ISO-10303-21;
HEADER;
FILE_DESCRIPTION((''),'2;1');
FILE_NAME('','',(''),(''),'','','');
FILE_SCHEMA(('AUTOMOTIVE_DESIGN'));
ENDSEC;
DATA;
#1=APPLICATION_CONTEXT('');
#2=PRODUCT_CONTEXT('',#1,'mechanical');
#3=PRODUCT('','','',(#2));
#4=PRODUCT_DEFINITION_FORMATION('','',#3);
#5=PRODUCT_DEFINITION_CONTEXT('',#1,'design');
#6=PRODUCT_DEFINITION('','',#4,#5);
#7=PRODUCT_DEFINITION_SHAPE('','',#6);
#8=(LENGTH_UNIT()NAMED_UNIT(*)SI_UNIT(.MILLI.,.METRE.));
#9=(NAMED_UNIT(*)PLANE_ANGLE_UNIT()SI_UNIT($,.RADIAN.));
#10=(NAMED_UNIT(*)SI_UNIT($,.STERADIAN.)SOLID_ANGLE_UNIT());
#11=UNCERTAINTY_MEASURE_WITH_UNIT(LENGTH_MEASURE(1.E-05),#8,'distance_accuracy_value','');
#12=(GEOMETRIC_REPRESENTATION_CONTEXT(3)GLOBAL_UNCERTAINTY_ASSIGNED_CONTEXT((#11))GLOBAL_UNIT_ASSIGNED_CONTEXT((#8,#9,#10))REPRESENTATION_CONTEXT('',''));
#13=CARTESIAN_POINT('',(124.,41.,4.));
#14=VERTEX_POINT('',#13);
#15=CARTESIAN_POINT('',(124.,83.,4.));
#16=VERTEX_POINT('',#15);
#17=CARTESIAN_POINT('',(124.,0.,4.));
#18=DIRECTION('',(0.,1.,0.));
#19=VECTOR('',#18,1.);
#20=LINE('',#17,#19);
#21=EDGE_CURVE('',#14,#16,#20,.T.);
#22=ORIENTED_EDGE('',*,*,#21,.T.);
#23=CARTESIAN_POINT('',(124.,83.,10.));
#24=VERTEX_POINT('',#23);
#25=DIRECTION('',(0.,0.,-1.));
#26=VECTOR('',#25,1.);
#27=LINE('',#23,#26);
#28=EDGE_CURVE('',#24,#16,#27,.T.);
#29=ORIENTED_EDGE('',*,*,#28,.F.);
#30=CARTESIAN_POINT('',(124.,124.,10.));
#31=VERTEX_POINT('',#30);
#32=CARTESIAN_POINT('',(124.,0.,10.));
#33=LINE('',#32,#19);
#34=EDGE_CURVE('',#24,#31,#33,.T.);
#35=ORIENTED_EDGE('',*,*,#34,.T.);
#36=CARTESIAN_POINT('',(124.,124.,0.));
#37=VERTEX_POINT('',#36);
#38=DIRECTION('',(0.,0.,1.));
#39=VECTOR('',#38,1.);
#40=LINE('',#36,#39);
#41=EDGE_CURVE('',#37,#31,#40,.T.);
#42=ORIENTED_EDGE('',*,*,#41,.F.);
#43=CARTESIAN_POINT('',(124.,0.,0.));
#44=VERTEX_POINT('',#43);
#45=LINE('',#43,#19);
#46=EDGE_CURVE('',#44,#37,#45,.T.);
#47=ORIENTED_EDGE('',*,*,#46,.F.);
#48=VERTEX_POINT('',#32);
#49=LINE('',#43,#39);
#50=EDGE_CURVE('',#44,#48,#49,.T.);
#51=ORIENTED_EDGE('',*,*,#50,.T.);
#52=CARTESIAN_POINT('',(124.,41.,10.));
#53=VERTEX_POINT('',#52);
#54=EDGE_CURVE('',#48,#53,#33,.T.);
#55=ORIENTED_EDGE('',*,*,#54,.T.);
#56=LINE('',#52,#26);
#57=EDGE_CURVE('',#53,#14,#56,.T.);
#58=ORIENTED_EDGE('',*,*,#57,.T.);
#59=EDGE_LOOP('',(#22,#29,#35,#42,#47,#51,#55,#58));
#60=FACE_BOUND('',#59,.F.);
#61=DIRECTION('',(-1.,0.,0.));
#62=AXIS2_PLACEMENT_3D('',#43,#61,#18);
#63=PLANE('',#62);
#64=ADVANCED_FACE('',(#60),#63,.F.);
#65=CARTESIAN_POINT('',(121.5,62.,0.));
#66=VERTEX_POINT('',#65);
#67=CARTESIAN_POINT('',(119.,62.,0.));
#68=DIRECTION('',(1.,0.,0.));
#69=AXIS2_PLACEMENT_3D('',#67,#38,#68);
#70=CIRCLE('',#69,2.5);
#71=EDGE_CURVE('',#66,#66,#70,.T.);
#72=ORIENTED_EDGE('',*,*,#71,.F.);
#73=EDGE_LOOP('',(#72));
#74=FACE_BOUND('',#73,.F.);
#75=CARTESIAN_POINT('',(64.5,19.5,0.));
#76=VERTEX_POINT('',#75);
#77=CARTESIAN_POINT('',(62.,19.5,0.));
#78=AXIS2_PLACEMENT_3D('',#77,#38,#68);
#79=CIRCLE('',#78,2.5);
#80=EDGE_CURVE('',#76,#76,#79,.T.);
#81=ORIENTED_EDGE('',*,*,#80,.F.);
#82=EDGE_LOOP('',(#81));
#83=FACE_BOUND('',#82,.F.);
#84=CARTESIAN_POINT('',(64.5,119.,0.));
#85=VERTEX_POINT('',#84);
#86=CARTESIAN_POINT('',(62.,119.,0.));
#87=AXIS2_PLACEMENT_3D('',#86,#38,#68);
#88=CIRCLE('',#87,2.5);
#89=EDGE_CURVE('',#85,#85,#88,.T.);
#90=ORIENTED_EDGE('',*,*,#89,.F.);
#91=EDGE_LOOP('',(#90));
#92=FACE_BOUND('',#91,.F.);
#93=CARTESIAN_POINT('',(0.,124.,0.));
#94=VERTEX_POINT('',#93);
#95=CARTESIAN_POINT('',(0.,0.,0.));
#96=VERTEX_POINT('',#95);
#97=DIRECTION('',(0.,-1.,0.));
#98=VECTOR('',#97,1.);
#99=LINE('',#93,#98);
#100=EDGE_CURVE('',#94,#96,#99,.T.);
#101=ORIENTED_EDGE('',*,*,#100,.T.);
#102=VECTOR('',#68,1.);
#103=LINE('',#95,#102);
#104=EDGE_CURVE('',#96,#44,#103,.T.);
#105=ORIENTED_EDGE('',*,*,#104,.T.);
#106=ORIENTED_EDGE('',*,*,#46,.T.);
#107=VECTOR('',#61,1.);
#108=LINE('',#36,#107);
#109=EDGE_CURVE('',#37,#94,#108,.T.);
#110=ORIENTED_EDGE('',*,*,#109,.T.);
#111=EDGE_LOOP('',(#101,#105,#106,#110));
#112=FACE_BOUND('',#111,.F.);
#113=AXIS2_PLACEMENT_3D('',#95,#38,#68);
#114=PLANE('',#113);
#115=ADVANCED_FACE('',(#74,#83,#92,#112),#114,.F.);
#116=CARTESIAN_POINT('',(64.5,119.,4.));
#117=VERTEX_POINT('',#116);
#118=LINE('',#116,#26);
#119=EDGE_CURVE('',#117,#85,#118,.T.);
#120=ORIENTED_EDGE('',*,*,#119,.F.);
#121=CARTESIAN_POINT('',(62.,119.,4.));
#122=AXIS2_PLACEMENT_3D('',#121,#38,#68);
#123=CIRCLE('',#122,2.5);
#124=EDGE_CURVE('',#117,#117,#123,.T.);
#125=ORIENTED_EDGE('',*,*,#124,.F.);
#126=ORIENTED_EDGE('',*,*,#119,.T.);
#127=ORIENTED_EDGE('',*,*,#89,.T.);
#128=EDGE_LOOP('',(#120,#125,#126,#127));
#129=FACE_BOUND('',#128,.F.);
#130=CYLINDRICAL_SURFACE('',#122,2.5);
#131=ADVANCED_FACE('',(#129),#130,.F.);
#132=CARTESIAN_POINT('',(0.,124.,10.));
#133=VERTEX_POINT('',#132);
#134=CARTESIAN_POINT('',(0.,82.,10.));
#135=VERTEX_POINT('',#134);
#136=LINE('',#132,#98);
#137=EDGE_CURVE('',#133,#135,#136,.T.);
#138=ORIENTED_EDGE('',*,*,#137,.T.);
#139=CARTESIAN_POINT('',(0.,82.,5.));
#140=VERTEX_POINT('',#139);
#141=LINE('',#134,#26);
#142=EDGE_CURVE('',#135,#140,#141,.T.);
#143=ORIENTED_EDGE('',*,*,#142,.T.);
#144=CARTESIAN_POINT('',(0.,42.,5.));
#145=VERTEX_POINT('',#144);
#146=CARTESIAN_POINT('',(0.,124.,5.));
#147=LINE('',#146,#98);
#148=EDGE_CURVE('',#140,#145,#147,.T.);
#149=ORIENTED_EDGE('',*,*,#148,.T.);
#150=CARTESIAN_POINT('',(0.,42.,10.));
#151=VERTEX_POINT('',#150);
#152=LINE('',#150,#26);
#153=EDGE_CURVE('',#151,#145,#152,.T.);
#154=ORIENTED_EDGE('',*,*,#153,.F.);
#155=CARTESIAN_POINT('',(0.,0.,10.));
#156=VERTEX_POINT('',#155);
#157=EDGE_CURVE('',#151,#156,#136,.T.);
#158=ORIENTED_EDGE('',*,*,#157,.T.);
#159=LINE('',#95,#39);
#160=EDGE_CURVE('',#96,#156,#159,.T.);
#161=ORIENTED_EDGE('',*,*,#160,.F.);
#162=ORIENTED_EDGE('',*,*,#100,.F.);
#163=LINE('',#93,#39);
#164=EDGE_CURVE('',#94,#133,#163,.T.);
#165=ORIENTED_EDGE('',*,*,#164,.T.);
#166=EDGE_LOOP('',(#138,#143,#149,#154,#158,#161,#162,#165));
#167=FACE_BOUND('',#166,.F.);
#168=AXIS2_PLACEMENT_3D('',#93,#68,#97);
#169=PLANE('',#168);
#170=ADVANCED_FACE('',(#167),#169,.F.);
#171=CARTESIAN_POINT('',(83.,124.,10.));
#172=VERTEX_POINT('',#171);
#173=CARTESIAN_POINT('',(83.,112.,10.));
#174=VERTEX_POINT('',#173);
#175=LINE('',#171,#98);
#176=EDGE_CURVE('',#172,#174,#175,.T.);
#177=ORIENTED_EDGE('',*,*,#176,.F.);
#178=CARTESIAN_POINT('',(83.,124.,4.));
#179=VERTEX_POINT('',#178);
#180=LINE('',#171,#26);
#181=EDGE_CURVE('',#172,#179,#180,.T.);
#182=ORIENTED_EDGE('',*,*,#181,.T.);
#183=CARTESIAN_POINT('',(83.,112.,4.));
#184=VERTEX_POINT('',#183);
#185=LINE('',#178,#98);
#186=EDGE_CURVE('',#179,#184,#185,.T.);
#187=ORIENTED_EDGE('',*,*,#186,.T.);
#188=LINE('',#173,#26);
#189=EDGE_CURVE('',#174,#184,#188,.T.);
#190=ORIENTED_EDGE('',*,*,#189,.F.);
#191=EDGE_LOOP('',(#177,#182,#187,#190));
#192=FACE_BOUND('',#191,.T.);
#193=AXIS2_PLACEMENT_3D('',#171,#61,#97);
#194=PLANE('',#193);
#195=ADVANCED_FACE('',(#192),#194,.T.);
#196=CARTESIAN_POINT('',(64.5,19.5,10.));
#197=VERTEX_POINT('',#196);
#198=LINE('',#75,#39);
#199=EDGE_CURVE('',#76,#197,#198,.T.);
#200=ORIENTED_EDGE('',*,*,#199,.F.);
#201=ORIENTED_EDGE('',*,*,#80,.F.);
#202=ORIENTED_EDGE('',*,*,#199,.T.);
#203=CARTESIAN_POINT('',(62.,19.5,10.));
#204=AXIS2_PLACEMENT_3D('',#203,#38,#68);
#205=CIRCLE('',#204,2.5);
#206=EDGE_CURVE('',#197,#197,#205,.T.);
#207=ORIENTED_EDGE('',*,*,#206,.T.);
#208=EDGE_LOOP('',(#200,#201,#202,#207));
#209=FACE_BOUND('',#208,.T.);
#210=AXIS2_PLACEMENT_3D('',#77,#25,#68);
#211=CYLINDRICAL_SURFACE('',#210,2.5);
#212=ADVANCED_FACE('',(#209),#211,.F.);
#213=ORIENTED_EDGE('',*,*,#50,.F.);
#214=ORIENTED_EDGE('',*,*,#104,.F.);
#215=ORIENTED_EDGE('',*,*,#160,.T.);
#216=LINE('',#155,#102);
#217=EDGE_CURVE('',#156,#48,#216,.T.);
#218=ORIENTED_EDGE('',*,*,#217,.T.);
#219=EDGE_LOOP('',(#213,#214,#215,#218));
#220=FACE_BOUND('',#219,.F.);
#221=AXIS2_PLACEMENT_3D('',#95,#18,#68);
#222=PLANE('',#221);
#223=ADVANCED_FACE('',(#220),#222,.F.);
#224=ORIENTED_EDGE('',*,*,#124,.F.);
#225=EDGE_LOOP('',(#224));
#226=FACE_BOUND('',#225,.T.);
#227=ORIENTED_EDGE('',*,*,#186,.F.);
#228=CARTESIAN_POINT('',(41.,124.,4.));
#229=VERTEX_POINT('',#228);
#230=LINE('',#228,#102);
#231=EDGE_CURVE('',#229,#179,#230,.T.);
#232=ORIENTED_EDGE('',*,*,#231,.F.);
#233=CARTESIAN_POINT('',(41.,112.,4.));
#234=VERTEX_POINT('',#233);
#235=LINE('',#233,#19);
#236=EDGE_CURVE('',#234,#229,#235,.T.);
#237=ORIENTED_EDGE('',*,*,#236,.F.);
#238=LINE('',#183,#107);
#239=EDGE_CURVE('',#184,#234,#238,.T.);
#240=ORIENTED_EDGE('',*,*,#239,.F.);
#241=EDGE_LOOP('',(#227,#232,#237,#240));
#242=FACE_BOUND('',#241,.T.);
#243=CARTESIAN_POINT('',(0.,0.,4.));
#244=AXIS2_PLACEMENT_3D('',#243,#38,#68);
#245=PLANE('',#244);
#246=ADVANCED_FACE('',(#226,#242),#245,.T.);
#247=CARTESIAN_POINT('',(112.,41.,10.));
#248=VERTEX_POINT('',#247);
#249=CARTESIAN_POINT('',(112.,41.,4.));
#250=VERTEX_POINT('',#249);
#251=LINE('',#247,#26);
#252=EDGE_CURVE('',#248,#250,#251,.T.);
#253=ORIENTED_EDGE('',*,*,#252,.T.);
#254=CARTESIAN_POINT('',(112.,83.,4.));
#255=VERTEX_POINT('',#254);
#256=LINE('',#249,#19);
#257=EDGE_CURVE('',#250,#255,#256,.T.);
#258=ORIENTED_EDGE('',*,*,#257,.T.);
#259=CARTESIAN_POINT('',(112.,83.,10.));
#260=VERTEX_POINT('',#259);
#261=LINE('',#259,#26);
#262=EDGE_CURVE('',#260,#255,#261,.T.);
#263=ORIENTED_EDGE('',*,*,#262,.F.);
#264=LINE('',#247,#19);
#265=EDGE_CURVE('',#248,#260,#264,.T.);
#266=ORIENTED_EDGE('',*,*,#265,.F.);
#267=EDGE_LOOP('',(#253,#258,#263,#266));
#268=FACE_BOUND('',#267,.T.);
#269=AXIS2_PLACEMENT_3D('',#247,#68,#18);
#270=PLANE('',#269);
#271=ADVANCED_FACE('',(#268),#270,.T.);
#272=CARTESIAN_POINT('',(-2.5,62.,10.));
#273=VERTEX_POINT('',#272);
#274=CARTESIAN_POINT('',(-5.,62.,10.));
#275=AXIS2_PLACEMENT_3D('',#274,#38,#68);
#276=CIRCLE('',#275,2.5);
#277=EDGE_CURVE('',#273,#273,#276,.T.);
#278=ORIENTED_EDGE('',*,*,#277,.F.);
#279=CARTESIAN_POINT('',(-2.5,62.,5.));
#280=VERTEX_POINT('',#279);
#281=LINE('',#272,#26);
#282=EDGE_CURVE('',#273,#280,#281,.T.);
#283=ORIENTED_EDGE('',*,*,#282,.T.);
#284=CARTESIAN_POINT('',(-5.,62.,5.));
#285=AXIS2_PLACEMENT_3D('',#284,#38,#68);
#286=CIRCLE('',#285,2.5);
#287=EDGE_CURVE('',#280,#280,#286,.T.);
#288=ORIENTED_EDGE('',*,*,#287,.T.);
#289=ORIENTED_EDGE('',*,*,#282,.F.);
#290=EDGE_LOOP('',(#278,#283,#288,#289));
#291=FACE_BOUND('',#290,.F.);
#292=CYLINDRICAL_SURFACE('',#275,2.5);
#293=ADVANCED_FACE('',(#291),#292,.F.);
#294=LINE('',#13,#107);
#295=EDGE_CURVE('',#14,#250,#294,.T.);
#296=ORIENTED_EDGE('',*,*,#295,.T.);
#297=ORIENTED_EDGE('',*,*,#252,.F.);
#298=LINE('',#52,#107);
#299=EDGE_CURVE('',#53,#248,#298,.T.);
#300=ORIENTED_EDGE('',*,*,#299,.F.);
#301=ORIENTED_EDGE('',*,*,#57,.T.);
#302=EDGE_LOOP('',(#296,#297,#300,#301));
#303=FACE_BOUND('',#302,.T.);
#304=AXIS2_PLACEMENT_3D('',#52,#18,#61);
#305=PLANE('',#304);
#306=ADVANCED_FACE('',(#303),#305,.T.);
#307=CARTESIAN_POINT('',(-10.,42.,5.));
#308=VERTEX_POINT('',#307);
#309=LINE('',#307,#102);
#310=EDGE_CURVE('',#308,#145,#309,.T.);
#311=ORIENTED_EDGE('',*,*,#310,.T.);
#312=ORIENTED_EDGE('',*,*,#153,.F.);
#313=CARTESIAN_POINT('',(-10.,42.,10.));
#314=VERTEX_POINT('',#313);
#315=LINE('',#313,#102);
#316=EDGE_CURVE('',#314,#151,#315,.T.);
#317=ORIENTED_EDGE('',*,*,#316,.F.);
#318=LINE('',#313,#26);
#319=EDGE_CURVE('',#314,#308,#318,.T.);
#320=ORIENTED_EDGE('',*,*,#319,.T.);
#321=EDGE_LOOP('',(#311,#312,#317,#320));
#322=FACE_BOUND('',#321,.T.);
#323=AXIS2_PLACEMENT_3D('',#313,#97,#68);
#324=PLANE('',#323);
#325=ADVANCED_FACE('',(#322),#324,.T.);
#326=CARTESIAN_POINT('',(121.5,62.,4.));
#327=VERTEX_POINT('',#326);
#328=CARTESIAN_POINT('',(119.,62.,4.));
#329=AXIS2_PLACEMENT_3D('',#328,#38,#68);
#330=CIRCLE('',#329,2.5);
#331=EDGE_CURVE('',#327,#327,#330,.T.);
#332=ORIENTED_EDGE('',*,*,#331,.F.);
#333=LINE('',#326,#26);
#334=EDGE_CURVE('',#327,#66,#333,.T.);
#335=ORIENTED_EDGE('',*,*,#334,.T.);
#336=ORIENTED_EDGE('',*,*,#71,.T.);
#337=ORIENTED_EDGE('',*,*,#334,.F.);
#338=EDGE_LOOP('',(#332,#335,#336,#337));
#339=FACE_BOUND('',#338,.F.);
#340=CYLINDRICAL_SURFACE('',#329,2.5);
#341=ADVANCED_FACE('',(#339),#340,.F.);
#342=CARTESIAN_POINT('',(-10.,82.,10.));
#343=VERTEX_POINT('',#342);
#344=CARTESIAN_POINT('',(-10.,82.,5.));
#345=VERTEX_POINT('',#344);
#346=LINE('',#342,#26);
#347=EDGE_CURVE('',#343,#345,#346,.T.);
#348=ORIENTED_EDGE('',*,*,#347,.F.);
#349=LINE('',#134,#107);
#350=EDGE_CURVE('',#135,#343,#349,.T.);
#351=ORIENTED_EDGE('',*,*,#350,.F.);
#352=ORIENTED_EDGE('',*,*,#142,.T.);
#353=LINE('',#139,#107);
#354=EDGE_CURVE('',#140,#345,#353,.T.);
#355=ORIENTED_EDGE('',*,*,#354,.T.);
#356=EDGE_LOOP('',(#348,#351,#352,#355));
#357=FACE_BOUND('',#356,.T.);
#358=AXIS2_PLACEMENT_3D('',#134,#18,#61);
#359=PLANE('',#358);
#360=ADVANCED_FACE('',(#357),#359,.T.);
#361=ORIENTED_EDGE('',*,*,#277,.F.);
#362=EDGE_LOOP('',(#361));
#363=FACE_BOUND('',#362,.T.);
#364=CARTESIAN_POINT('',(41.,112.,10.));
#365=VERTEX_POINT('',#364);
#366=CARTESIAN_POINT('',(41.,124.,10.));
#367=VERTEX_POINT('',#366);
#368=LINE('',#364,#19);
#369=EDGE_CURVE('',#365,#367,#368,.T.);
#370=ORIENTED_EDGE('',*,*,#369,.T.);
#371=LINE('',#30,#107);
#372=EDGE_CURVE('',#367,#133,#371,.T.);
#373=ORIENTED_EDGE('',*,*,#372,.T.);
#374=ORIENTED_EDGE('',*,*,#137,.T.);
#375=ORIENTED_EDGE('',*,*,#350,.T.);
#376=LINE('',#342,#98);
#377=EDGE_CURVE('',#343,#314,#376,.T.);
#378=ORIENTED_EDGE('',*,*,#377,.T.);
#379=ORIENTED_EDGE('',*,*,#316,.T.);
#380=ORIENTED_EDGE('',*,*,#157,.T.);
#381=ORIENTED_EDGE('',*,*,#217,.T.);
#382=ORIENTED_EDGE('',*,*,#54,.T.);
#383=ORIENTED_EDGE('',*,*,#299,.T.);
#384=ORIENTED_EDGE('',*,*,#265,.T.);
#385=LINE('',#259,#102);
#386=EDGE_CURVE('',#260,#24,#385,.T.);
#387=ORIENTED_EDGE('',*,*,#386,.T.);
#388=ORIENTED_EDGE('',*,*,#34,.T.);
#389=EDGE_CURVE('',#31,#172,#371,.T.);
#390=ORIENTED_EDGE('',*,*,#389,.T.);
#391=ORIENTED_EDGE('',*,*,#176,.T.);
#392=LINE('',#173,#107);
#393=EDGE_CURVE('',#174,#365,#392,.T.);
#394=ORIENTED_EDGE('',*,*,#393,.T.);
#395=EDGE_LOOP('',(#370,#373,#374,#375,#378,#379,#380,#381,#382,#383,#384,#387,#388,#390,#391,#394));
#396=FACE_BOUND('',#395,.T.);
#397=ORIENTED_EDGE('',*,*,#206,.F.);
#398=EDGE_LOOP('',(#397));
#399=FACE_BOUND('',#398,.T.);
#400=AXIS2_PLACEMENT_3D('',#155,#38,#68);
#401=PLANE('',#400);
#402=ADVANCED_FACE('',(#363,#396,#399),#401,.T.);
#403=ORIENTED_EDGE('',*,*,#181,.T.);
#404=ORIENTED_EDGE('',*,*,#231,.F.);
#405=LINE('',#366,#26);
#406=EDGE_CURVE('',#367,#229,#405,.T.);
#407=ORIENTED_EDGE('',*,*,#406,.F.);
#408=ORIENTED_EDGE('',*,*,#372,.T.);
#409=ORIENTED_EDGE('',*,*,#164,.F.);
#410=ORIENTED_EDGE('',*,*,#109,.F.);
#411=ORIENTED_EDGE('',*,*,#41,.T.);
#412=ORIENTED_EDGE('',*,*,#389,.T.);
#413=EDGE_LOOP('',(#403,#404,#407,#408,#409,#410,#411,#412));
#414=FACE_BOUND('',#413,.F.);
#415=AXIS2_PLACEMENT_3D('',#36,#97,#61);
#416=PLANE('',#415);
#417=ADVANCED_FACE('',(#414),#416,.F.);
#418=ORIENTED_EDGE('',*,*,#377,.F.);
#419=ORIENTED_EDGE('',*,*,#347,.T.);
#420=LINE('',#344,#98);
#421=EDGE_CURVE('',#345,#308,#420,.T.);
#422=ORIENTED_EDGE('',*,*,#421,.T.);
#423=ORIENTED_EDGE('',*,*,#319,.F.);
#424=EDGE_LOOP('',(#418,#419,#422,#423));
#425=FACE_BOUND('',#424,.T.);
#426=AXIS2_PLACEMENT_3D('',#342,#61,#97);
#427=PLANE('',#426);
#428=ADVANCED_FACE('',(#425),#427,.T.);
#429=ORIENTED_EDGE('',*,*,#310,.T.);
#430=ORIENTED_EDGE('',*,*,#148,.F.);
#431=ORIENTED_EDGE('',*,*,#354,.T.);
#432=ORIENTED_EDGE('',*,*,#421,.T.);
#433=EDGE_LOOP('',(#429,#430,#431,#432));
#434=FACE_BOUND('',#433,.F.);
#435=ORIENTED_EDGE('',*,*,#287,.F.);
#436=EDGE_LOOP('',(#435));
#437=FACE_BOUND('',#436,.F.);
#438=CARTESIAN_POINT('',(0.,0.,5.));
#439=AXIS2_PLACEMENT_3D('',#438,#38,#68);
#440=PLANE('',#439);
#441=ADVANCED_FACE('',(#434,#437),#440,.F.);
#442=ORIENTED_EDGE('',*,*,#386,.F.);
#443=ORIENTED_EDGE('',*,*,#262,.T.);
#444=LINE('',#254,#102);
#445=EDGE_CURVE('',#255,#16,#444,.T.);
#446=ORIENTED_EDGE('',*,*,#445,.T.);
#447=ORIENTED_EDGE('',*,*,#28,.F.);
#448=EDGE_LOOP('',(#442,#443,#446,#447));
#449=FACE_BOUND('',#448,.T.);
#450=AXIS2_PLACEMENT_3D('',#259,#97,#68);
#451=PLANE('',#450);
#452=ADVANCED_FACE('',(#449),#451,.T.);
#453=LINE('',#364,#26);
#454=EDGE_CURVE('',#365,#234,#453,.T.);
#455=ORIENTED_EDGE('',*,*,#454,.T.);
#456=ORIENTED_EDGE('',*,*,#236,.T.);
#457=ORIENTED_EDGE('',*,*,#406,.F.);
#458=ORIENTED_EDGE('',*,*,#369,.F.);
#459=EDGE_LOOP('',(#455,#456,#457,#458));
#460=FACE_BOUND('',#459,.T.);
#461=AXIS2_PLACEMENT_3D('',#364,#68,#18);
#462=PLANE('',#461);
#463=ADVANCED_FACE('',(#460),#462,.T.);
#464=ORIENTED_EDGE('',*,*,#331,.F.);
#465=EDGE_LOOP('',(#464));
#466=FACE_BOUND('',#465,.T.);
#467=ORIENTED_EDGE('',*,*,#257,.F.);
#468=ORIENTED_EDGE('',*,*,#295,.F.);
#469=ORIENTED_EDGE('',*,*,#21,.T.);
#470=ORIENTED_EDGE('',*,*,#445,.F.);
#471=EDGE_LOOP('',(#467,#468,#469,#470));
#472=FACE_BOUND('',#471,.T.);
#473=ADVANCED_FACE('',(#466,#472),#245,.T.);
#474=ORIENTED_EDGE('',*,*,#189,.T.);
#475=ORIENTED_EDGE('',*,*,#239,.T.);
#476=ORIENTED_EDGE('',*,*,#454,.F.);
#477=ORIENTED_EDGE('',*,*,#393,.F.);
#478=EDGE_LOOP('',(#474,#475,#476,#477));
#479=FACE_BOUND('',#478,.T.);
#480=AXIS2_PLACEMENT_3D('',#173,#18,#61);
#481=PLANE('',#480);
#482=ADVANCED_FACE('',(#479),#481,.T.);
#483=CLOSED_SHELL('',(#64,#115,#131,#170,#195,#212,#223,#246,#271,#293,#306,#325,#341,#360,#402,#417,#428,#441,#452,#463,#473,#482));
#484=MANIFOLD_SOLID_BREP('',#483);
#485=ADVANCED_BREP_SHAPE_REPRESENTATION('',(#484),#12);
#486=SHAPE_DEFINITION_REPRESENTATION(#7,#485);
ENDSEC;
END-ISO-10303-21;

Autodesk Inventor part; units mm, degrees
ref_plane "YZ Plane" through (0, 0, 0) normal (1, 0, 0) x (0, 1, 0)
ref_plane "XZ Plane" through (0, 0, 0) normal (0, 1, 0) x (-1, 0, 0)
ref_plane "XY Plane" through (0, 0, 0) normal (0, 0, 1) x (1, 0, 0)
sketch "Sketch1" plane through (0, 0, 0) normal (0, 0, 1) x (1, 0, 0)
  line L0 (0, 0) -> (124, 0)
  line L1 (124, 0) -> (124, 124)
  line L2 (124, 124) -> (0, 124)
  line L3 (0, 124) -> (0, 0)
  circle A0 centre (62, 19.5) radius 2.5
  point P0 (62, 0)
  dimension "d0" = 124
  dimension "d1" = 124
  dimension "d2" = 5
  dimension "d3" = 19.5
extrude "Extrusion1" add sketch "Sketch1" along normal blind 10
sketch "Sketch2" plane through (0, 0, 10) normal (0, 0, 1) x (1, 0, 0)
  line L0 (0, 124) -> (0, 0) projected
  line L1 (0, 82) -> (-10, 82)
  line L2 (-10, 82) -> (-10, 42)
  line L3 (-10, 42) -> (0, 42)
  line L4 (0, 42) -> (0, 82)
  circle A0 centre (-5, 62) radius 2.5
  point P0 (-10, 62)
  point P1 (0, 62)
  point P2 (-5, 82)
  dimension "d8" = 10
  dimension "d9" = 40
  dimension "d10" = 5
extrude "Extrusion2" add sketch "Sketch2" against normal blind 5
sketch "Sketch3" plane through (0, 0, 10) normal (0, 0, 1) x (1, 0, 0)
  line L0 (124, 0) -> (124, 124) projected
  line L1 (124, 41) -> (112, 41)
  line L2 (112, 41) -> (112, 83)
  line L3 (112, 83) -> (124, 83)
  line L4 (124, 83) -> (124, 41)
  point P0 (0, 0)
  point P1 (112, 62)
  point P2 (124, 62)
  dimension "d13" = 12
  dimension "d14" = 42
extrude "Extrusion3" cut sketch "Sketch3" against normal blind 6
sketch "Sketch4" plane through (0, 0, 4) normal (0, 0, 1) x (1, 0, 0)
  line L0 (124, 41) -> (112, 41) construction
  line L1 (124, 83) -> (124, 41) construction
  line L2 (112, 83) -> (124, 83) construction
  line L3 (112, 41) -> (112, 83) construction
  circle A0 centre (119, 62) radius 2.5
  point P0 (0, 0)
  point P1 (124, 62)
  point P2 (118, 41)
  dimension "d17" = 5
  dimension "d28" = 5
extrude "Extrusion4" cut sketch "Sketch4" against normal through all
sketch "Sketch5" plane through (0, 0, 10) normal (0, 0, 1) x (1, 0, 0)
  line L0 (41, 124) -> (83, 124)
  line L1 (83, 124) -> (83, 112)
  line L2 (83, 112) -> (41, 112)
  line L3 (41, 112) -> (41, 124)
  line L4 (124, 124) -> (0, 124) projected
  point P0 (0, 0)
  point P1 (62, 112)
  point P2 (62, 124)
  dimension "d20" = 42
  dimension "d21" = 12
extrude "Extrusion5" cut sketch "Sketch5" against normal blind 6
sketch "Sketch6" plane through (0, 0, 4) normal (0, 0, 1) x (1, 0, 0)
  circle A0 centre (62, 119) radius 2.5
  line L0 (41, 124) -> (83, 124) construction
  line L1 (41, 112) -> (41, 124) construction
  line L2 (83, 112) -> (41, 112) construction
  line L3 (83, 124) -> (83, 112) construction
  point P0 (0, 0)
  point P1 (83, 118)
  point P2 (62, 124)
  dimension "d24" = 5
  dimension "d27" = 5
extrude "Extrusion6" cut sketch "Sketch6" against normal through all
properties part number "TA002" material "ABS Plastic"
